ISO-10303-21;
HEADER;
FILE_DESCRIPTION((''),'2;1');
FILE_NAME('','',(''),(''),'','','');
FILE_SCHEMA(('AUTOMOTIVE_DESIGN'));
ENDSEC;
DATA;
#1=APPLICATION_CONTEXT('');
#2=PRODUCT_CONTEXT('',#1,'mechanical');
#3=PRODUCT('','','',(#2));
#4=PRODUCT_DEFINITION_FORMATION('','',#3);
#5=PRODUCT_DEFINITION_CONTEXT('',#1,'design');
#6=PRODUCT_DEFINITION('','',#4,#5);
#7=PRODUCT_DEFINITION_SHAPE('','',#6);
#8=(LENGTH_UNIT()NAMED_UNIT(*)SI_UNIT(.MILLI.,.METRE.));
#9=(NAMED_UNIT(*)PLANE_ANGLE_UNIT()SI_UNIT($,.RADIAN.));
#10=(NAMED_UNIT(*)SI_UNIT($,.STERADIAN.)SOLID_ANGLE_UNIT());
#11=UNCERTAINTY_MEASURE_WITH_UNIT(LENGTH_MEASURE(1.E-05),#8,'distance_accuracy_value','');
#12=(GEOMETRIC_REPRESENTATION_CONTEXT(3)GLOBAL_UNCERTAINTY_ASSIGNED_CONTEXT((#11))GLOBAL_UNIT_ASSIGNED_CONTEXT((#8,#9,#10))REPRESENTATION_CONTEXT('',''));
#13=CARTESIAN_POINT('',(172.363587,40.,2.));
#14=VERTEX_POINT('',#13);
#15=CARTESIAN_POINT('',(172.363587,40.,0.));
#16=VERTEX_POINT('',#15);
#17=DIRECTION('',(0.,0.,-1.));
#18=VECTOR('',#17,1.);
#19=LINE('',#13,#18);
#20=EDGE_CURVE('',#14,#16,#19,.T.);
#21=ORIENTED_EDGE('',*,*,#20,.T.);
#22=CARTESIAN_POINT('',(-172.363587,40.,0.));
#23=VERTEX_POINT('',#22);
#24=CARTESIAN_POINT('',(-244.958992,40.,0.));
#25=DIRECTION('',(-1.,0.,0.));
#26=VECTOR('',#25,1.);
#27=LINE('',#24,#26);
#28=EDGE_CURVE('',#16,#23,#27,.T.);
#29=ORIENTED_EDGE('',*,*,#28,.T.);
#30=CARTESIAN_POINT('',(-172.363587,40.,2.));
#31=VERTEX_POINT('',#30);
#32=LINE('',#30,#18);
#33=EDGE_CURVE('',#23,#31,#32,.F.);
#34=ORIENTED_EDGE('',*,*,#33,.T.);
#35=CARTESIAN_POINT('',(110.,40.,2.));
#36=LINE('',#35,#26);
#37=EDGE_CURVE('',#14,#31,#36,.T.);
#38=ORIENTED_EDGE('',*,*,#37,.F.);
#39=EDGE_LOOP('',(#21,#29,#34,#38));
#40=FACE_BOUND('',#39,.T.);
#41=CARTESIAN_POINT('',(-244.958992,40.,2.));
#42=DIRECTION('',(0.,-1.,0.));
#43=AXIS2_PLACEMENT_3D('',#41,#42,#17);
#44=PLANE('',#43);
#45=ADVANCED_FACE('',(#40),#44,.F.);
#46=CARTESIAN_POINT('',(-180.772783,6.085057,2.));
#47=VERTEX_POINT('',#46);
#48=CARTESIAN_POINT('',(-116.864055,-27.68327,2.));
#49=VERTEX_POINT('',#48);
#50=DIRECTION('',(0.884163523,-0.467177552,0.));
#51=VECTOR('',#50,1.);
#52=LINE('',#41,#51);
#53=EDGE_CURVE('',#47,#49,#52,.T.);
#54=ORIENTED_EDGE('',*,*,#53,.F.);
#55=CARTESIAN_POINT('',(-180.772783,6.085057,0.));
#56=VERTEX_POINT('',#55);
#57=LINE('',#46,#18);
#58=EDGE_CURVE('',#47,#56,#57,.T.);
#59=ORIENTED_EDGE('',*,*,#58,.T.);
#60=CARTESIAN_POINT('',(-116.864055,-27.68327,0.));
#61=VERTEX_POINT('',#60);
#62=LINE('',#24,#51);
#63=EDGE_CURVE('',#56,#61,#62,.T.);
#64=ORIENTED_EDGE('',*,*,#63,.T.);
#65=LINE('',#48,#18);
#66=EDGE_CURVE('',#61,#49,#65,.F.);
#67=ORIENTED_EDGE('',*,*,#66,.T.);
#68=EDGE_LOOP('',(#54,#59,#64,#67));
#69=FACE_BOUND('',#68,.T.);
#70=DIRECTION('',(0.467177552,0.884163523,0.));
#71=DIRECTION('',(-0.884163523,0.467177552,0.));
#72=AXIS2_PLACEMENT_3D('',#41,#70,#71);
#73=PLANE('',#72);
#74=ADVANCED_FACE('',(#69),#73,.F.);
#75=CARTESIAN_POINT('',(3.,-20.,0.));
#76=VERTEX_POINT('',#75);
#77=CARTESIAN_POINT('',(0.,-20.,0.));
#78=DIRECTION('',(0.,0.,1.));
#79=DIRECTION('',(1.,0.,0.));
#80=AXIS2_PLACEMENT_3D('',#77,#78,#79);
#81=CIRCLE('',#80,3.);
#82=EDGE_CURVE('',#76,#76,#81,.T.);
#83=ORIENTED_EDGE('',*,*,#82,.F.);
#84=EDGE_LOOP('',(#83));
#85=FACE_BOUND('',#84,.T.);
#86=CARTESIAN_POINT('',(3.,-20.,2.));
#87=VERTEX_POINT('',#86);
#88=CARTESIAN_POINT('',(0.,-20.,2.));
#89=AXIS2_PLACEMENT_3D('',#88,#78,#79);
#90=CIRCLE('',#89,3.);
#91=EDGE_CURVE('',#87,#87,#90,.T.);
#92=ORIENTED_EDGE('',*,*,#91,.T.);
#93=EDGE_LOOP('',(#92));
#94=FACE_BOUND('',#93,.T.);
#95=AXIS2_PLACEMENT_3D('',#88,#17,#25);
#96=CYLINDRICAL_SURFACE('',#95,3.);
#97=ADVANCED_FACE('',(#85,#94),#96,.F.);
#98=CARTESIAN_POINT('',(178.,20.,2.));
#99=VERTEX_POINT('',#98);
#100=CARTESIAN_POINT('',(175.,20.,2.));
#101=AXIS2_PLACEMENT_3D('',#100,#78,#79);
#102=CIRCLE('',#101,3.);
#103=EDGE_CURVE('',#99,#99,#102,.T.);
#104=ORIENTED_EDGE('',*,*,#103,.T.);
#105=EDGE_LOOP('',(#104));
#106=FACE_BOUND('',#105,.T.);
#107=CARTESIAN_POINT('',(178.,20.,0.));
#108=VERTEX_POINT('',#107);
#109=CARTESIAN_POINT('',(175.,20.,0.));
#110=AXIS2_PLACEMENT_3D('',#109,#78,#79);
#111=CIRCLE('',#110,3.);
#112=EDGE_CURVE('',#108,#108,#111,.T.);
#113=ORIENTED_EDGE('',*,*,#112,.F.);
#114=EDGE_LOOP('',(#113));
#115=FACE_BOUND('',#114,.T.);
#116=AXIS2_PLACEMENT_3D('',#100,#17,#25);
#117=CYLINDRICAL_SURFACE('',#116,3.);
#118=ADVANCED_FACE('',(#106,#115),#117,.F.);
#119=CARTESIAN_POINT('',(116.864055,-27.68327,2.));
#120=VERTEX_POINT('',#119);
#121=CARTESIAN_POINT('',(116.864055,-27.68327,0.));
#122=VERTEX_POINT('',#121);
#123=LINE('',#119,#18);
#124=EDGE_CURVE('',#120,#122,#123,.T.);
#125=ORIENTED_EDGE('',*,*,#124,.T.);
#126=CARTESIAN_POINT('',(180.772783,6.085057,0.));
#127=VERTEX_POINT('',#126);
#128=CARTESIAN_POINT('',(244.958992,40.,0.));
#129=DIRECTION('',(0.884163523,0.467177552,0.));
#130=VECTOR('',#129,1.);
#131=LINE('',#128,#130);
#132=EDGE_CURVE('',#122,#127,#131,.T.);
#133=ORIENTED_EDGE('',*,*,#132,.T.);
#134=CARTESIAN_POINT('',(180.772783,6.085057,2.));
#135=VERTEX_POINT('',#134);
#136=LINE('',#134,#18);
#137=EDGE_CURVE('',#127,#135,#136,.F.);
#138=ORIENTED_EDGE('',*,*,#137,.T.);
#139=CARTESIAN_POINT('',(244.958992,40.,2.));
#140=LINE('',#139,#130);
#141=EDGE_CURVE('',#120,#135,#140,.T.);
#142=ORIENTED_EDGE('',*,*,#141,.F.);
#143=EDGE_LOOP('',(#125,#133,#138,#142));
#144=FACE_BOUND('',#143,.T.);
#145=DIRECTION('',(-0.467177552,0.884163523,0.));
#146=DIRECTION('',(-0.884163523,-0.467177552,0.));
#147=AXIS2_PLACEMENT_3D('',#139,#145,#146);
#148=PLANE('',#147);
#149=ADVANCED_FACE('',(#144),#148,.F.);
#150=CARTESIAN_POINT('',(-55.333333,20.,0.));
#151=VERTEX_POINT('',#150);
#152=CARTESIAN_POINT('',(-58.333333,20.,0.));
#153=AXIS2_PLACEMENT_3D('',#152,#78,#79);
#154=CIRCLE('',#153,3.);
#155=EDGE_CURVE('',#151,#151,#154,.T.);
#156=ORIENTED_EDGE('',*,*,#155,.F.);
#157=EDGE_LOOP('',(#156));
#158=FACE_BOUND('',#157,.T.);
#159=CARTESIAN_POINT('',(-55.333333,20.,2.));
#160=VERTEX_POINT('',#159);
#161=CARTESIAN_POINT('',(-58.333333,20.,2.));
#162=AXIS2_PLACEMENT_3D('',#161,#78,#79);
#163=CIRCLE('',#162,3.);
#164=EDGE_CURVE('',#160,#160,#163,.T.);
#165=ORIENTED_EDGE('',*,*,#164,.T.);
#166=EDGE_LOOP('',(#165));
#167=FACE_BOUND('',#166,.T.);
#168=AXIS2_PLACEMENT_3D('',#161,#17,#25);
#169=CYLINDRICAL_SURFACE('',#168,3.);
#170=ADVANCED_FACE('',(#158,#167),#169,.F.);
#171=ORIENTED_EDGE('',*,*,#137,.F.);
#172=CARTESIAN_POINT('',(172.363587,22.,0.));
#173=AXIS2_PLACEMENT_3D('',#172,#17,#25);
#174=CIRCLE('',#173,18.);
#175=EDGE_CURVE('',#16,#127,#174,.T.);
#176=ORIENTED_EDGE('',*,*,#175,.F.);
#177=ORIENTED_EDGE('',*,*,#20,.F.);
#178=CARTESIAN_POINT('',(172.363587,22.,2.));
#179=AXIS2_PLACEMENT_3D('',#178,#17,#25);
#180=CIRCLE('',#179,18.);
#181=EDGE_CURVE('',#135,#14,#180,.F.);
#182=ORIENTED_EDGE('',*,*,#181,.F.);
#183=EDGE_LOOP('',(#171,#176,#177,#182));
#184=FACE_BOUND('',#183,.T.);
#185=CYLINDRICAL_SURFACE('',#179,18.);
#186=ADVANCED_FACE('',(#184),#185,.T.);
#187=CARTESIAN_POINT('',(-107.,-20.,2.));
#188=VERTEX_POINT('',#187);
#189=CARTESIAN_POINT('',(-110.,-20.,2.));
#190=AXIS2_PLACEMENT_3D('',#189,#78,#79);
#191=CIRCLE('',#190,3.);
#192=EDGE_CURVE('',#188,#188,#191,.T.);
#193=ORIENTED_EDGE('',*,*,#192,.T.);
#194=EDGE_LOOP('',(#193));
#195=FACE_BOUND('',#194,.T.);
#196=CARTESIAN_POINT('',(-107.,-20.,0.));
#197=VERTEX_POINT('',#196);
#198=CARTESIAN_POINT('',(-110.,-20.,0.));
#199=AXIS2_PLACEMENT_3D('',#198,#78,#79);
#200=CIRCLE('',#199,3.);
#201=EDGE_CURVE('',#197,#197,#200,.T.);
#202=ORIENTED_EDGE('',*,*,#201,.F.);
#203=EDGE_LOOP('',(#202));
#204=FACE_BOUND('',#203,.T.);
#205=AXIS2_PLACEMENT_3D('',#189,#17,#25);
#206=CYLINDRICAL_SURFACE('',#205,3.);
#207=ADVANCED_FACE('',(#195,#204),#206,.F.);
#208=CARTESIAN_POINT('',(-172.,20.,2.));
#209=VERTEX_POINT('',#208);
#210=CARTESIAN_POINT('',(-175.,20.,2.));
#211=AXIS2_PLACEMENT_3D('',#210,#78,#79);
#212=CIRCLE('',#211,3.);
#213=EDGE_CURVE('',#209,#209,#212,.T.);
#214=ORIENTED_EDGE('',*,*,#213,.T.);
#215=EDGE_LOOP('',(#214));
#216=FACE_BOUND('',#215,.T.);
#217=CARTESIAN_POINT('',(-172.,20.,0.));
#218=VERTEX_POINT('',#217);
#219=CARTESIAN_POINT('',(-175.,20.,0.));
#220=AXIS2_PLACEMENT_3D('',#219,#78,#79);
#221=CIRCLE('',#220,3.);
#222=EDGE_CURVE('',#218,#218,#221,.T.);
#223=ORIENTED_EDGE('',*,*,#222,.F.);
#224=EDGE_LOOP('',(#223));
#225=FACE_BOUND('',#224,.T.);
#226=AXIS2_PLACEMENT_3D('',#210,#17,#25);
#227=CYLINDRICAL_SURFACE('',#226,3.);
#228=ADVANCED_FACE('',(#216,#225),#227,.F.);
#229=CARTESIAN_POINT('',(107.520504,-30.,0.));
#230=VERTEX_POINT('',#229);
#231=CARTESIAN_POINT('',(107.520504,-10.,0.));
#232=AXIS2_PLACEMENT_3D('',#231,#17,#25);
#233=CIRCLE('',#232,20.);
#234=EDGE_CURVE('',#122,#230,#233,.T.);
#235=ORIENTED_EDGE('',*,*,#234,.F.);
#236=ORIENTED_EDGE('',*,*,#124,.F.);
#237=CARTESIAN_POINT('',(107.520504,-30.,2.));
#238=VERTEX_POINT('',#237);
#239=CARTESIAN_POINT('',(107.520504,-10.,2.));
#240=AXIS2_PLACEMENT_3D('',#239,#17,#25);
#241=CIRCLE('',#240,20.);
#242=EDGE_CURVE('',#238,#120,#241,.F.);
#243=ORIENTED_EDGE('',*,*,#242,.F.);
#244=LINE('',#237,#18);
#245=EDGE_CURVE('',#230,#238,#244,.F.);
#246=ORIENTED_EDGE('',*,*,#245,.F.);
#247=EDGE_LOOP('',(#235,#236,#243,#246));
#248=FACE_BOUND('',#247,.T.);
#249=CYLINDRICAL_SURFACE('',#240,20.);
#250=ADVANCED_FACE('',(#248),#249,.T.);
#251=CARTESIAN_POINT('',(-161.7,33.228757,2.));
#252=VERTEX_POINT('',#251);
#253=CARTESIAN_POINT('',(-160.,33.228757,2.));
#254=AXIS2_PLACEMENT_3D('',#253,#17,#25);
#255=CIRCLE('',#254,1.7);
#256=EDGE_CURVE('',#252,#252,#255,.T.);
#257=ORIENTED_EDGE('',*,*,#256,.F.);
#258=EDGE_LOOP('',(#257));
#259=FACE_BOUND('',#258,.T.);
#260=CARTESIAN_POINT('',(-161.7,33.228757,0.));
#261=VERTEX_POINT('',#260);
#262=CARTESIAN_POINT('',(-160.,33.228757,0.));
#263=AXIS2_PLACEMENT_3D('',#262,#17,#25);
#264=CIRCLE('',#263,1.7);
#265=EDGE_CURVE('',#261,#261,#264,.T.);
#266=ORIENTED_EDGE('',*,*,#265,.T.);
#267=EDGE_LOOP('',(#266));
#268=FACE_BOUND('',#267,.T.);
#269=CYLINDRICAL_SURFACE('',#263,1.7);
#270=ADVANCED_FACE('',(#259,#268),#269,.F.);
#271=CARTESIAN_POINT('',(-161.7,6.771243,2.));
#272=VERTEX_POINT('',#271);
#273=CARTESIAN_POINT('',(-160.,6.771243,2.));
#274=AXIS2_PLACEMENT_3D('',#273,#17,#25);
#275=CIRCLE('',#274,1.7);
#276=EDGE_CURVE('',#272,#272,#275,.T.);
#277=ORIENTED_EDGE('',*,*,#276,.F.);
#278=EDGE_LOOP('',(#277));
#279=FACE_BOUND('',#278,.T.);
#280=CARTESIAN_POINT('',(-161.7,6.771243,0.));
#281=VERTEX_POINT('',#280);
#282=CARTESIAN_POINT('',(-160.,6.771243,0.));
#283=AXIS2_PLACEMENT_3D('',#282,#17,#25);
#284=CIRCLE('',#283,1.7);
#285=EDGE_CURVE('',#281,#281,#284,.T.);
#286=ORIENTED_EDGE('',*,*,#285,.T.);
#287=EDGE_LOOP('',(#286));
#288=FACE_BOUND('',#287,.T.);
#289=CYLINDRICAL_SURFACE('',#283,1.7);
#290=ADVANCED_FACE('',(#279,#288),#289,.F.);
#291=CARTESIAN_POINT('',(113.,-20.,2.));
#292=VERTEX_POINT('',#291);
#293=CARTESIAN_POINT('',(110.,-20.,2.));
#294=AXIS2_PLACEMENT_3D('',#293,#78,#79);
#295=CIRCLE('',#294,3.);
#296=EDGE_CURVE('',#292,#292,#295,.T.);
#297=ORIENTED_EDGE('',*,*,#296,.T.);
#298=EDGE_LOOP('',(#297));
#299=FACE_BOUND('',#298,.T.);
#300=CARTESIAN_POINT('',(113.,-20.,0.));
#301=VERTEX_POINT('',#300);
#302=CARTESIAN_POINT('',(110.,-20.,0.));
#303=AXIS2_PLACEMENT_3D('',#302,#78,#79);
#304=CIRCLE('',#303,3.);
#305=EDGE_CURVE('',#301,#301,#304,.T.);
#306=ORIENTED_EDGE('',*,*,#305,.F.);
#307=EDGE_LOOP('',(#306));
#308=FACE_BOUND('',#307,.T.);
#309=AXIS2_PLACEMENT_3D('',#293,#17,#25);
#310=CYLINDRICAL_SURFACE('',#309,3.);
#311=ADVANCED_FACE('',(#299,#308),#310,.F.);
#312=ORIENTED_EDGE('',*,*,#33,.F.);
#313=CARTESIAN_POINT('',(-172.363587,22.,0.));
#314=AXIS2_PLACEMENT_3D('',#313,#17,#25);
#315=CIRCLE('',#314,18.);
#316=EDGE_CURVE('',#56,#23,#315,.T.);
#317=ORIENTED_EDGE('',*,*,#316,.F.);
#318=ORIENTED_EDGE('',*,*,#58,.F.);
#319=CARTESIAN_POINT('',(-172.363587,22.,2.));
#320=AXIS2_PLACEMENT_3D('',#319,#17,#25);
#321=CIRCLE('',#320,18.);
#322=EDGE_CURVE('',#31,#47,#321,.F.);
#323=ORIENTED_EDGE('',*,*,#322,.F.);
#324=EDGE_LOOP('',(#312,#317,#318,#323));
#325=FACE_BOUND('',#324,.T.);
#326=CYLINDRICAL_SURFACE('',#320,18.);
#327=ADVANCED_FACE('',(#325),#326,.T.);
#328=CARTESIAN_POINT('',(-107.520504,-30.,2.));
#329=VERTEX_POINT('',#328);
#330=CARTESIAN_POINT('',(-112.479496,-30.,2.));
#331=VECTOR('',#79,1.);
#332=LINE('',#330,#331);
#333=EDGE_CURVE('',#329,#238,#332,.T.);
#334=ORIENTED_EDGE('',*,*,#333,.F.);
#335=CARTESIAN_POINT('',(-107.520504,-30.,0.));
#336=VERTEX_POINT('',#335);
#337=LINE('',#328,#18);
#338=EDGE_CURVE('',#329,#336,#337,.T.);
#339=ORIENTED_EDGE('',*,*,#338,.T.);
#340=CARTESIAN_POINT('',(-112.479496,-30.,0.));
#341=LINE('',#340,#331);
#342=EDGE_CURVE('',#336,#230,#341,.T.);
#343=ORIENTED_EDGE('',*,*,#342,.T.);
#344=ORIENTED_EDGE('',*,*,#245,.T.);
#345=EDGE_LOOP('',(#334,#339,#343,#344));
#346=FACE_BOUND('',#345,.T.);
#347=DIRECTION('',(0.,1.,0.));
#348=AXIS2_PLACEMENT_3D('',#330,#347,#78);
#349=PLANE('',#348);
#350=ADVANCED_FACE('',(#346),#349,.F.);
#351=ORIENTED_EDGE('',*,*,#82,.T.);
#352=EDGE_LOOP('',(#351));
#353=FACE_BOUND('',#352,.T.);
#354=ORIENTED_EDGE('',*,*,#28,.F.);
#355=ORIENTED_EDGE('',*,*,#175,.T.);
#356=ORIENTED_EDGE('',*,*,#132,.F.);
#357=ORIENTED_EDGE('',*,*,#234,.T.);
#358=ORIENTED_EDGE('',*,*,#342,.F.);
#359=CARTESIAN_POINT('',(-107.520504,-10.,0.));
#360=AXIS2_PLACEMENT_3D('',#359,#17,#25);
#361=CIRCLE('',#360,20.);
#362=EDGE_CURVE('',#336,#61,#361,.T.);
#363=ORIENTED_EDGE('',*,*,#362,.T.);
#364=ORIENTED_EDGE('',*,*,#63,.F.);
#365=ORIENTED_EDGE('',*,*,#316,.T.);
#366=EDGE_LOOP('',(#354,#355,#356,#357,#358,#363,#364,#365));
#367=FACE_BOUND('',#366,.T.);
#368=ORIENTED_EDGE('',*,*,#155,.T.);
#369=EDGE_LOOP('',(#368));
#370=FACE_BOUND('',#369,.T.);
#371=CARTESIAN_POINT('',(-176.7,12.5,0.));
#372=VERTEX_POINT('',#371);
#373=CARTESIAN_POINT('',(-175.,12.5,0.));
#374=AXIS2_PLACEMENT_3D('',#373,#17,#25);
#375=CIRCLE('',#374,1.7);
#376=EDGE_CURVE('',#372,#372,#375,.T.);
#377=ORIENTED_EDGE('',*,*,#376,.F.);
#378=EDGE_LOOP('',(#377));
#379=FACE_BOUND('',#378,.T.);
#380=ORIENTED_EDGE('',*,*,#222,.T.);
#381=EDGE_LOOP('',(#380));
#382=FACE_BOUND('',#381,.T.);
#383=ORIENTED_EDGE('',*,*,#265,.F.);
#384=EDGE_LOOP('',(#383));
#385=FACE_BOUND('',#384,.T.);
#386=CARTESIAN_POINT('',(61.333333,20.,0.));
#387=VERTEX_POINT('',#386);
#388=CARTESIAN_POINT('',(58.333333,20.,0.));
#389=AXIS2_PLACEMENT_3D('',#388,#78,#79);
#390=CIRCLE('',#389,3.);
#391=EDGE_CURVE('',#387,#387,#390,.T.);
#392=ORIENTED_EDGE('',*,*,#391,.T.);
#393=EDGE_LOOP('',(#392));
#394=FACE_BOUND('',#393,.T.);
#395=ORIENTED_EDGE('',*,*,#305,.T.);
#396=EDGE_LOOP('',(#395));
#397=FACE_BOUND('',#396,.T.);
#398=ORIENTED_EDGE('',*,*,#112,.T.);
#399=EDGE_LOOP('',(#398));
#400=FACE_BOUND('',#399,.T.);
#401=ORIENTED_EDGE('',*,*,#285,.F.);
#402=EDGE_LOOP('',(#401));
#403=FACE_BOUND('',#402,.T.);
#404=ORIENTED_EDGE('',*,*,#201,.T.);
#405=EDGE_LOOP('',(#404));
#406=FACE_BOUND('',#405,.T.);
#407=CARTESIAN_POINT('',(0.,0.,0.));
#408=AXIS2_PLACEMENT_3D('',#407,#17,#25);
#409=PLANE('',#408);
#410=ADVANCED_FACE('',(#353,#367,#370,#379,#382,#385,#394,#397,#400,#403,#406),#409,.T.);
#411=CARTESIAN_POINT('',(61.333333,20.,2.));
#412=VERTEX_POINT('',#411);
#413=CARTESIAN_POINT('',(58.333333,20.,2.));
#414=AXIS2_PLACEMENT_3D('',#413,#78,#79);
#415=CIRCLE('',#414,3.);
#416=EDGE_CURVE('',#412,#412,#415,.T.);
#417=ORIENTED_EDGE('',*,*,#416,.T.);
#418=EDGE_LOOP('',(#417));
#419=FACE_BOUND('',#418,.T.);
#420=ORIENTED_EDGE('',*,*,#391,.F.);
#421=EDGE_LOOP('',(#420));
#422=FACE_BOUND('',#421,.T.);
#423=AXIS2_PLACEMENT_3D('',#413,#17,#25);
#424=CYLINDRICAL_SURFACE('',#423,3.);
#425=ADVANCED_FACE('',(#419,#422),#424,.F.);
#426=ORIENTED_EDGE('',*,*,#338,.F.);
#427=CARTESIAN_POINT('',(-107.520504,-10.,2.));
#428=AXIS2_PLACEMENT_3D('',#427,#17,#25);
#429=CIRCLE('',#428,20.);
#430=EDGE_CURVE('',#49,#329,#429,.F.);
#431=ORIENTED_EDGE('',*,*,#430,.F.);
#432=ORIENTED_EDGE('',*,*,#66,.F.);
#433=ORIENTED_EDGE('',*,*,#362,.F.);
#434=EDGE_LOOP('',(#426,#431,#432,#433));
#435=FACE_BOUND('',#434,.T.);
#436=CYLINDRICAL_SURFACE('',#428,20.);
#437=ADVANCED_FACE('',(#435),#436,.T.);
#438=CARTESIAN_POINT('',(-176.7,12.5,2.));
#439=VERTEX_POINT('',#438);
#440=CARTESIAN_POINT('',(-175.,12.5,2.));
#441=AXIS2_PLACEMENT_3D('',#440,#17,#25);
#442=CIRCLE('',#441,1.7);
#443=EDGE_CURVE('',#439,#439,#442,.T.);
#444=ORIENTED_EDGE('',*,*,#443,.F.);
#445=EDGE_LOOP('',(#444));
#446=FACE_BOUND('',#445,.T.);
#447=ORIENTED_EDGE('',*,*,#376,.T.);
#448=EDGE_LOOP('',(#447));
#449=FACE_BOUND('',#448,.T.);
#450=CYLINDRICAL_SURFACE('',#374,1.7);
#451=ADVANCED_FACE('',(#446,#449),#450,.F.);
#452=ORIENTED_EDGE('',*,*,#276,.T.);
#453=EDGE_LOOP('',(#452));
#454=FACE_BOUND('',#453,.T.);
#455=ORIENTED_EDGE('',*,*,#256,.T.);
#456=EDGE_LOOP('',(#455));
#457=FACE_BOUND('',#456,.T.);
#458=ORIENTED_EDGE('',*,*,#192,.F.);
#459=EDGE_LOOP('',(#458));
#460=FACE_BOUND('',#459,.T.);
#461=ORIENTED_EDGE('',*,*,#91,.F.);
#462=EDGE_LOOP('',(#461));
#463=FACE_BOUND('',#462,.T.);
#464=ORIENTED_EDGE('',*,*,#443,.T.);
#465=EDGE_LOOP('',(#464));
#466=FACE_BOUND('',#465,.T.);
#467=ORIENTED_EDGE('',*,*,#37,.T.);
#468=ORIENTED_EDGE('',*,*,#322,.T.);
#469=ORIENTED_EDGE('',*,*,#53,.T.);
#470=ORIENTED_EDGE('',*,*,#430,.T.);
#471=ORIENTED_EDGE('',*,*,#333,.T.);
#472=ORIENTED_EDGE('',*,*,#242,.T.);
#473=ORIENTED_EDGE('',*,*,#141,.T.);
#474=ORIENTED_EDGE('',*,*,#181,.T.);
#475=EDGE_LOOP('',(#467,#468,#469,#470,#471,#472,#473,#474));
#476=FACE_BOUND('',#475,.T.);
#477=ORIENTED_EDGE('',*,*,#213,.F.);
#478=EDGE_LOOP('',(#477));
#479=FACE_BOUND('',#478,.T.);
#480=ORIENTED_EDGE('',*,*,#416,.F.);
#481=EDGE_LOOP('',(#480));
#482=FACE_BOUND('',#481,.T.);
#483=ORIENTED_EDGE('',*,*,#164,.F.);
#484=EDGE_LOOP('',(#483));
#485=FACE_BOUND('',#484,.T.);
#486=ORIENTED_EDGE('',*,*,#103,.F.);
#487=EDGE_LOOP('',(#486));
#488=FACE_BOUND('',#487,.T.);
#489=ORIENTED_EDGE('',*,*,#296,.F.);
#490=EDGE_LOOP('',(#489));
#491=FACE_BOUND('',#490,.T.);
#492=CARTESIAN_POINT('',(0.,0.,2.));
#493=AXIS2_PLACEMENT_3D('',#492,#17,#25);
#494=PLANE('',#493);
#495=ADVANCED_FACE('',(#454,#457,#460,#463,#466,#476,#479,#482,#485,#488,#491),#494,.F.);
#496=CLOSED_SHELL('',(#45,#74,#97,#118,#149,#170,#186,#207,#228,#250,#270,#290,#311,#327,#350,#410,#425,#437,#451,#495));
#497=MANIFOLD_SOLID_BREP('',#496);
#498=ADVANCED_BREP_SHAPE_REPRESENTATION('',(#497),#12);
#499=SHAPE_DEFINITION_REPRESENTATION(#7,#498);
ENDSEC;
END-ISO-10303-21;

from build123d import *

# Parameters (mm, degrees)
ESQUISSE1_R        = 3
BOSS_EXTRU_1_DEPTH = 2
CONG_1_R           = 18
CONG_2_R           = 20
D_GAGEMENT_M31_D   = 3.4


with BuildPart() as part:
    # Esquisse1 → Boss.-Extru.1 (new body)
    with BuildSketch(Plane.XY):
        Polygon((-244.958991582, 40), (-110, 40), (110, 40), (244.958991582, 40), (112.479495791, -30), (-112.479495791, -30), align=None)
        with Locations((-175, 20)):
            Circle(ESQUISSE1_R, mode=Mode.SUBTRACT)
        with Locations((-110, -20)):
            Circle(ESQUISSE1_R, mode=Mode.SUBTRACT)
        with Locations((110, -20)):
            Circle(ESQUISSE1_R, mode=Mode.SUBTRACT)
        with Locations((175, 20)):
            Circle(ESQUISSE1_R, mode=Mode.SUBTRACT)
        with Locations((0, -20)):
            Circle(ESQUISSE1_R, mode=Mode.SUBTRACT)
        with Locations((-58.333333333, 20)):
            Circle(ESQUISSE1_R, mode=Mode.SUBTRACT)
        with Locations((58.333333333, 20)):
            Circle(ESQUISSE1_R, mode=Mode.SUBTRACT)
    extrude(amount=BOSS_EXTRU_1_DEPTH)

    # Congé1
    cong_1_edges = [part.edges().sort_by_distance(p)[0] for p in [
        (-244.958991582, 40, 1),
        (244.958991582, 40, 1),
    ]]
    fillet(cong_1_edges, radius=CONG_1_R)

    # Congé2
    cong_2_edges = [part.edges().sort_by_distance(p)[0] for p in [
        (112.479495791, -30, 1),
        (-112.479495791, -30, 1),
    ]]
    fillet(cong_2_edges, radius=CONG_2_R)

    # Dégagement M31 (through all)
    with Locations(Plane(origin=(0, 0, 0), x_dir=(-1, 0, 0), z_dir=(0, 0, -1))):
        with Locations((160, 33.228756555), (175, 12.5), (160, 6.771243445)):
            Hole(D_GAGEMENT_M31_D / 2)


solid = part.part
